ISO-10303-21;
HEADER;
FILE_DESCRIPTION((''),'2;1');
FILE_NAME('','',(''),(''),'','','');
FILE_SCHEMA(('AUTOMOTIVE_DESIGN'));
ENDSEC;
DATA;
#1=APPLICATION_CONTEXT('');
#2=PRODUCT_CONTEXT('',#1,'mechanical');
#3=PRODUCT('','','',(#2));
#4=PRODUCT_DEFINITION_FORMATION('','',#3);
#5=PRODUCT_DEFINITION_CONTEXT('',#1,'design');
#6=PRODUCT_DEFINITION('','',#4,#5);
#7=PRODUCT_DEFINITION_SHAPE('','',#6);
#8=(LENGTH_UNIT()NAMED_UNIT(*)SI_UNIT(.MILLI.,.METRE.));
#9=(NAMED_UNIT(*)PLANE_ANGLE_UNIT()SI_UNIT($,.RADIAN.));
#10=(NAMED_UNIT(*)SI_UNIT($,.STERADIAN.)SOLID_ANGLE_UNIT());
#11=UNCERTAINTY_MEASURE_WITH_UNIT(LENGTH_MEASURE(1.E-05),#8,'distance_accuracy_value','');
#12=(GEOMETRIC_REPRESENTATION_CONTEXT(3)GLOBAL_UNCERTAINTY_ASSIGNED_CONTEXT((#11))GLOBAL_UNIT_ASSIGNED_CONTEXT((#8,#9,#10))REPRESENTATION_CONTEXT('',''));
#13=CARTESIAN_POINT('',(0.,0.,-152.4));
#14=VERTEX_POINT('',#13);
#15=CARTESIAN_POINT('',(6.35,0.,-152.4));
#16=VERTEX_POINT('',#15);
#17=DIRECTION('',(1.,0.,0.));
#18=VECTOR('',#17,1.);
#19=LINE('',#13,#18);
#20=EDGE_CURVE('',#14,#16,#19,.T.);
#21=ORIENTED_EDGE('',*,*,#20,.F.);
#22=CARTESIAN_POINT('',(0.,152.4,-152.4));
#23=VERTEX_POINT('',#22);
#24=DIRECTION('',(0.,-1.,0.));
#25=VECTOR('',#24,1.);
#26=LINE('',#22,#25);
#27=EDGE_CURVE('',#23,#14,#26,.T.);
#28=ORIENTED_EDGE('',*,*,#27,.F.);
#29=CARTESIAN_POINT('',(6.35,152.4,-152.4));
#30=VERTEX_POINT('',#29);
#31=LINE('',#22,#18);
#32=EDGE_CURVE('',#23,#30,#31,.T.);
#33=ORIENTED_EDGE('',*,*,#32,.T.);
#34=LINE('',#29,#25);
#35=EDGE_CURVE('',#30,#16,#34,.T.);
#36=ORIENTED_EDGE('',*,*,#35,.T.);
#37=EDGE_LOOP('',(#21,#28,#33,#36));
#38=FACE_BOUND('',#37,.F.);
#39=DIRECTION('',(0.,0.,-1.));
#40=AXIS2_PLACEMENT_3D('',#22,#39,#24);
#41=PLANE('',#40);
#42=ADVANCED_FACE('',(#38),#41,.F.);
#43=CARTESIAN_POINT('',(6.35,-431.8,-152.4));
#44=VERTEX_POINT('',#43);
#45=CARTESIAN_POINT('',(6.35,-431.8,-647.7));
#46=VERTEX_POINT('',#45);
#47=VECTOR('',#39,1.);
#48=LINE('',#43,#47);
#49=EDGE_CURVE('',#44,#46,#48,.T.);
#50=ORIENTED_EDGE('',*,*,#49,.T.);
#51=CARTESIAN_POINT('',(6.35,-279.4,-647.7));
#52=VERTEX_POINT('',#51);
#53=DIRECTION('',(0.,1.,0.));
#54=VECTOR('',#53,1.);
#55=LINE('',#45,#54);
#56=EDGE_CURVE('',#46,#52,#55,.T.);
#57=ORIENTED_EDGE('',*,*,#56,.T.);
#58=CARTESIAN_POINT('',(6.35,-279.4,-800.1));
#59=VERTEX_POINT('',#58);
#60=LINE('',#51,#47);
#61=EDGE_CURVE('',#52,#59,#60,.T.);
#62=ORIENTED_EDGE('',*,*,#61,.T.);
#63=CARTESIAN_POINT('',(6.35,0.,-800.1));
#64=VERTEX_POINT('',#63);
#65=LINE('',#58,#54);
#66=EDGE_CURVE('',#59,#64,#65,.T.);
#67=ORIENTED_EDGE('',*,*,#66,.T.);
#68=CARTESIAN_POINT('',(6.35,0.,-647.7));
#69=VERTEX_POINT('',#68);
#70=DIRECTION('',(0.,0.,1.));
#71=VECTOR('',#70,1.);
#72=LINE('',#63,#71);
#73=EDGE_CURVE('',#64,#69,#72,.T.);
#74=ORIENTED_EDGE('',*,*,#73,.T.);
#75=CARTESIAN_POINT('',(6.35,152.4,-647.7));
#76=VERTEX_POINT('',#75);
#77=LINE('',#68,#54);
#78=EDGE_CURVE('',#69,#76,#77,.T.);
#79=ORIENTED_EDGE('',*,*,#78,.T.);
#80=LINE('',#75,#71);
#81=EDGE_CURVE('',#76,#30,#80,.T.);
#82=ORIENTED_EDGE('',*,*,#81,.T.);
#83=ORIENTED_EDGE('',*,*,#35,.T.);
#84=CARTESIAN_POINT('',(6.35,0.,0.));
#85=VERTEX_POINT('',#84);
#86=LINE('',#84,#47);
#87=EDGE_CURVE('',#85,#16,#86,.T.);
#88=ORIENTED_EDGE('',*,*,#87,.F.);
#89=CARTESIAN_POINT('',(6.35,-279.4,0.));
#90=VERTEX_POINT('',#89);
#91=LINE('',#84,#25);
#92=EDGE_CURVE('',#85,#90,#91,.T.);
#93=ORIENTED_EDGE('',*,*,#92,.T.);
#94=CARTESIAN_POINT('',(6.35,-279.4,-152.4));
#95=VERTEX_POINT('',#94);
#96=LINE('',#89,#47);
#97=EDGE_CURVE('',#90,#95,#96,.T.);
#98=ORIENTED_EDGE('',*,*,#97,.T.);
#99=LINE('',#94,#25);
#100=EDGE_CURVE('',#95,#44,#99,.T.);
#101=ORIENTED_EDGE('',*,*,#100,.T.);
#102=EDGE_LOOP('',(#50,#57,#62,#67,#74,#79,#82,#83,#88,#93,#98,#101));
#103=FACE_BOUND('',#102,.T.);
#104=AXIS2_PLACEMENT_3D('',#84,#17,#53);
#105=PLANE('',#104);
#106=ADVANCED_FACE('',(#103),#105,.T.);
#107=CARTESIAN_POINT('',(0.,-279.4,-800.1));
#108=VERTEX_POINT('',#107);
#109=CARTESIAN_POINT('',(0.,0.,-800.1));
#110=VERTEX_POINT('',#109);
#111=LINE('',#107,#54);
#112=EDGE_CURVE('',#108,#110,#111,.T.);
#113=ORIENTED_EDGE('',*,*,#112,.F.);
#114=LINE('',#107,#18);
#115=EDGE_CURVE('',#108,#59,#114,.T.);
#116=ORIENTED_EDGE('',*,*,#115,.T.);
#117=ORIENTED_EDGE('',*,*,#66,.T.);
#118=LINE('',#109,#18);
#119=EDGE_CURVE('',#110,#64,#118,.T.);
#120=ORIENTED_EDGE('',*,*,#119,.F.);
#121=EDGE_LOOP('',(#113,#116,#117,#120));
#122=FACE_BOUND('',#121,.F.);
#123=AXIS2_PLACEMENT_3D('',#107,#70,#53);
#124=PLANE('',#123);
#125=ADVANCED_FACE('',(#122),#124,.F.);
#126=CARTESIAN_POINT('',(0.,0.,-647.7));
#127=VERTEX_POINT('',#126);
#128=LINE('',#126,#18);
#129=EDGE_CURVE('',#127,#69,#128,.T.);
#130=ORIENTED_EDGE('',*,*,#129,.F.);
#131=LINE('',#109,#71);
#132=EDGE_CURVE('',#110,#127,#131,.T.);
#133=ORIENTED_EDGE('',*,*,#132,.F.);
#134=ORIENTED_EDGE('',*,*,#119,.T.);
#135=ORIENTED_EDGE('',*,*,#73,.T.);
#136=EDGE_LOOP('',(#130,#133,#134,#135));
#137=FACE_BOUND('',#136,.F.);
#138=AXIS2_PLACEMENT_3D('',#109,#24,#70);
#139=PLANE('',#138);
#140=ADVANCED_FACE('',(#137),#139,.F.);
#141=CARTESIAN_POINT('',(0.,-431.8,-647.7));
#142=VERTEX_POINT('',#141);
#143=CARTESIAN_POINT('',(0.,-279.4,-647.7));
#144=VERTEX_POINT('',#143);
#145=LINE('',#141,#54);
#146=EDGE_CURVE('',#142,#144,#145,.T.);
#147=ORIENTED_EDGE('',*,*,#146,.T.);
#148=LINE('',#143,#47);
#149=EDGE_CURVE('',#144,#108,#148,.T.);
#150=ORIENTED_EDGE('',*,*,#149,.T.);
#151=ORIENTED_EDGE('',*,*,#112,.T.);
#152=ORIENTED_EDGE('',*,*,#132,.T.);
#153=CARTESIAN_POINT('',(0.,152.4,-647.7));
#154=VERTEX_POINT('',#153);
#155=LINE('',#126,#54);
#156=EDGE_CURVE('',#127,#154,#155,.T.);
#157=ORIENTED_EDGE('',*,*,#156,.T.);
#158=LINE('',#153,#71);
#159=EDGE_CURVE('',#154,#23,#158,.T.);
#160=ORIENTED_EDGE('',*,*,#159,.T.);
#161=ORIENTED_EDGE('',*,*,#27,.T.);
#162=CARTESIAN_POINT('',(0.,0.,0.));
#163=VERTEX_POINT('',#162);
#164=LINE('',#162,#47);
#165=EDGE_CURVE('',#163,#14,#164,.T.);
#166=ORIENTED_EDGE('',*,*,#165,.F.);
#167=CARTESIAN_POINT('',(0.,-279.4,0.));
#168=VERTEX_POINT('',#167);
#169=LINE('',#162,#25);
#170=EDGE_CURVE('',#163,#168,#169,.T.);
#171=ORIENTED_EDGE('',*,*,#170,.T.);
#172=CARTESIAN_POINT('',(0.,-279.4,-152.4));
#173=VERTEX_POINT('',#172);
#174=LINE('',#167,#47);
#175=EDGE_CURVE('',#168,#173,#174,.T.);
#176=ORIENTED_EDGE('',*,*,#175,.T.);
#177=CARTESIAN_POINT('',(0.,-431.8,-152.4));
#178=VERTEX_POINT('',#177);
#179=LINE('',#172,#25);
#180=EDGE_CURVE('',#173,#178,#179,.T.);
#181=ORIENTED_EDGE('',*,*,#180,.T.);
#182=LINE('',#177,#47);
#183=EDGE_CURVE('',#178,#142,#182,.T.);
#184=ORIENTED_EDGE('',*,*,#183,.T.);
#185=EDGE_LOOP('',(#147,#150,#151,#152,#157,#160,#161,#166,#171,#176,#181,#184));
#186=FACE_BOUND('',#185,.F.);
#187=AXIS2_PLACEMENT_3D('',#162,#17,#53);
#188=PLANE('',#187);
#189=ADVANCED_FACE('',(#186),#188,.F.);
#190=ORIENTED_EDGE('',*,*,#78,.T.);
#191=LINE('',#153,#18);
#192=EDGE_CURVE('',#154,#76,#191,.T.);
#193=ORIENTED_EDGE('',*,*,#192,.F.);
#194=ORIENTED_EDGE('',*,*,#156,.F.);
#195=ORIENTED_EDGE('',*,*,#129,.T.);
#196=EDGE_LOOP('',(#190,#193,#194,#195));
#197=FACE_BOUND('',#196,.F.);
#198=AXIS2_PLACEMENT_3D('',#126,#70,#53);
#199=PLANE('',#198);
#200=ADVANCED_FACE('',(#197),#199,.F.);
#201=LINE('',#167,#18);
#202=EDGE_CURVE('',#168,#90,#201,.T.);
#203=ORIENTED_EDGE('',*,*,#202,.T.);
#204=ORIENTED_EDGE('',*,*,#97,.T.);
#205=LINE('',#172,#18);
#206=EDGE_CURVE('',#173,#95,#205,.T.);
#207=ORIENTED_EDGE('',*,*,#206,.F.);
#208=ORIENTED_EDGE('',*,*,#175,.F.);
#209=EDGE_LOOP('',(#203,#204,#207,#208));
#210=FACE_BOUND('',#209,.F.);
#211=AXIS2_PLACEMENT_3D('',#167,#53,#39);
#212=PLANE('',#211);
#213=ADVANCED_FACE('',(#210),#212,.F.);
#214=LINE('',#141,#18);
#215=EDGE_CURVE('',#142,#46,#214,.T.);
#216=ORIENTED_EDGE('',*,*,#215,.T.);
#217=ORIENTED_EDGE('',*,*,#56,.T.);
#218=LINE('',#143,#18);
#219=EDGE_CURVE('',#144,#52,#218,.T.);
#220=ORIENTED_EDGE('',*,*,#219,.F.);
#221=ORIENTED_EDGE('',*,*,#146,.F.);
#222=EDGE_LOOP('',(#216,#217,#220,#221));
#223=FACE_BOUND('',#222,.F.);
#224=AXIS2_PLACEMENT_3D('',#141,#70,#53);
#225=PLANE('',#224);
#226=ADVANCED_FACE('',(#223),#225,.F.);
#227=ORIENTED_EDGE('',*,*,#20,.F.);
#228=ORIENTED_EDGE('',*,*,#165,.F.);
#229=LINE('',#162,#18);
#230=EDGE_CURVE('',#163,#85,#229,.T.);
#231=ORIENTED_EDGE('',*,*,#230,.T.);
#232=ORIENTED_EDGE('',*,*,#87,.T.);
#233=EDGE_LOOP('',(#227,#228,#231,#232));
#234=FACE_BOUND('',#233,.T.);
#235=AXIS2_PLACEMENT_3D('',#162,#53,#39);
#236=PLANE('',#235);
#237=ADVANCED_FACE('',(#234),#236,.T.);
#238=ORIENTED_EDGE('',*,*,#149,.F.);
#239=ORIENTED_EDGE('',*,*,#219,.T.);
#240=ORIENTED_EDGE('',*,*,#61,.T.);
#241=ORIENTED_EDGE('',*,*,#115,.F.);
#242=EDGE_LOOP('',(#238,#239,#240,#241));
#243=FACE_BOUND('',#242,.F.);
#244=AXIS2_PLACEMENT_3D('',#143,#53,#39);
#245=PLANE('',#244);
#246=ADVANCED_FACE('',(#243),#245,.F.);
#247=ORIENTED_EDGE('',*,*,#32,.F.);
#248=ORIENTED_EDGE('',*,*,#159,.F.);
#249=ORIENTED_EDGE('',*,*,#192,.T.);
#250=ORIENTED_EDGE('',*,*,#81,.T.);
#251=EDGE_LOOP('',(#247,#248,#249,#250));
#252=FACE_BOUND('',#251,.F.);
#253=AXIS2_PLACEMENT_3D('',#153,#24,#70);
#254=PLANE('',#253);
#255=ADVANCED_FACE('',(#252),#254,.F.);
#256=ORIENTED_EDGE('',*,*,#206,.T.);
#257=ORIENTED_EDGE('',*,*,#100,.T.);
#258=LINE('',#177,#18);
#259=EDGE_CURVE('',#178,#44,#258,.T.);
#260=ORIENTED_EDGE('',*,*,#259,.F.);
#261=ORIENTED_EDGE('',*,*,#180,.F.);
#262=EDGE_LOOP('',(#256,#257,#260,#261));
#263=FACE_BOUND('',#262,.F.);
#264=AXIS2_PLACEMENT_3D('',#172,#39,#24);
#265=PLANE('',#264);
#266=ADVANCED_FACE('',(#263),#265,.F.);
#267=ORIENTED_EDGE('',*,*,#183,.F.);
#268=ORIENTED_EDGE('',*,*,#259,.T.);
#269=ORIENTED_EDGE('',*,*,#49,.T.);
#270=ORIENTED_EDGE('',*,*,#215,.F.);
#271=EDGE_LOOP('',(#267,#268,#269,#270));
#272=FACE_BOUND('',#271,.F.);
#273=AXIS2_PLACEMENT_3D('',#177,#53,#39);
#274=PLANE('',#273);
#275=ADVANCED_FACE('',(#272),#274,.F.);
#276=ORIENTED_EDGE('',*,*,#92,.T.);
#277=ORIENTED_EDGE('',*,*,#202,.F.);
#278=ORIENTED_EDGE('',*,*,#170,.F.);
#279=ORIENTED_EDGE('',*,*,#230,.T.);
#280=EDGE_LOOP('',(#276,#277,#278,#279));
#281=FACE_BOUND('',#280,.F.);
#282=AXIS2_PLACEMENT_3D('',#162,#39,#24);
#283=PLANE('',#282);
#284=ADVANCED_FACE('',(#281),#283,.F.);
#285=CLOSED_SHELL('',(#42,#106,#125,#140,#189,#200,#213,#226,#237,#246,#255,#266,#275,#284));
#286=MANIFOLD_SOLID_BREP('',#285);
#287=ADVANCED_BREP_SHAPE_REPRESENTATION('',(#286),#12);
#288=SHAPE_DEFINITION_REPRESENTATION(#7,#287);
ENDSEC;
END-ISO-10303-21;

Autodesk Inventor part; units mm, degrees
ref_plane "YZ Plane" through (0, 0, 0) normal (1, 0, 0) x (0, 1, 0)
ref_plane "XZ Plane" through (0, 0, 0) normal (0, 1, 0) x (-1, 0, 0)
ref_plane "XY Plane" through (0, 0, 0) normal (0, 0, 1) x (1, 0, 0)
sketch "Sketch1" plane through (0, 0, 0) normal (1, 0, 0) x (0, 1, 0)
  line L0 (0, 0) -> (-279.4, 0)
  line L1 (-279.4, 0) -> (-279.4, -152.4)
  line L2 (-279.4, -152.4) -> (-431.8, -152.4)
  line L3 (-431.8, -152.4) -> (-431.8, -647.7)
  line L4 (-431.8, -647.7) -> (-279.4, -647.7)
  line L5 (-279.4, -647.7) -> (-279.4, -800.1)
  line L6 (-279.4, -800.1) -> (0, -800.1)
  line L7 (0, -800.1) -> (0, -647.7)
  line L8 (0, -647.7) -> (152.4, -647.7)
  line L9 (152.4, -647.7) -> (152.4, -152.4)
  line L10 (152.4, -152.4) -> (0, -152.4)
  line L11 (0, 0) -> (0, -152.4)
  dimension "d0" = 279.4
  dimension "d1" = 152.4
  dimension "d2" = 152.4
  dimension "d3" = 495.3
  dimension "d4" = 152.4
  dimension "d5" = 152.4
  dimension "d6" = 279.4
  dimension "d7" = 152.4
  dimension "d8" = 152.4
  dimension "d9" = 495.3
extrude "Extrusion1" add sketch "Sketch1" along normal blind 6.35
properties part number "Bottom Plywood Piece"
